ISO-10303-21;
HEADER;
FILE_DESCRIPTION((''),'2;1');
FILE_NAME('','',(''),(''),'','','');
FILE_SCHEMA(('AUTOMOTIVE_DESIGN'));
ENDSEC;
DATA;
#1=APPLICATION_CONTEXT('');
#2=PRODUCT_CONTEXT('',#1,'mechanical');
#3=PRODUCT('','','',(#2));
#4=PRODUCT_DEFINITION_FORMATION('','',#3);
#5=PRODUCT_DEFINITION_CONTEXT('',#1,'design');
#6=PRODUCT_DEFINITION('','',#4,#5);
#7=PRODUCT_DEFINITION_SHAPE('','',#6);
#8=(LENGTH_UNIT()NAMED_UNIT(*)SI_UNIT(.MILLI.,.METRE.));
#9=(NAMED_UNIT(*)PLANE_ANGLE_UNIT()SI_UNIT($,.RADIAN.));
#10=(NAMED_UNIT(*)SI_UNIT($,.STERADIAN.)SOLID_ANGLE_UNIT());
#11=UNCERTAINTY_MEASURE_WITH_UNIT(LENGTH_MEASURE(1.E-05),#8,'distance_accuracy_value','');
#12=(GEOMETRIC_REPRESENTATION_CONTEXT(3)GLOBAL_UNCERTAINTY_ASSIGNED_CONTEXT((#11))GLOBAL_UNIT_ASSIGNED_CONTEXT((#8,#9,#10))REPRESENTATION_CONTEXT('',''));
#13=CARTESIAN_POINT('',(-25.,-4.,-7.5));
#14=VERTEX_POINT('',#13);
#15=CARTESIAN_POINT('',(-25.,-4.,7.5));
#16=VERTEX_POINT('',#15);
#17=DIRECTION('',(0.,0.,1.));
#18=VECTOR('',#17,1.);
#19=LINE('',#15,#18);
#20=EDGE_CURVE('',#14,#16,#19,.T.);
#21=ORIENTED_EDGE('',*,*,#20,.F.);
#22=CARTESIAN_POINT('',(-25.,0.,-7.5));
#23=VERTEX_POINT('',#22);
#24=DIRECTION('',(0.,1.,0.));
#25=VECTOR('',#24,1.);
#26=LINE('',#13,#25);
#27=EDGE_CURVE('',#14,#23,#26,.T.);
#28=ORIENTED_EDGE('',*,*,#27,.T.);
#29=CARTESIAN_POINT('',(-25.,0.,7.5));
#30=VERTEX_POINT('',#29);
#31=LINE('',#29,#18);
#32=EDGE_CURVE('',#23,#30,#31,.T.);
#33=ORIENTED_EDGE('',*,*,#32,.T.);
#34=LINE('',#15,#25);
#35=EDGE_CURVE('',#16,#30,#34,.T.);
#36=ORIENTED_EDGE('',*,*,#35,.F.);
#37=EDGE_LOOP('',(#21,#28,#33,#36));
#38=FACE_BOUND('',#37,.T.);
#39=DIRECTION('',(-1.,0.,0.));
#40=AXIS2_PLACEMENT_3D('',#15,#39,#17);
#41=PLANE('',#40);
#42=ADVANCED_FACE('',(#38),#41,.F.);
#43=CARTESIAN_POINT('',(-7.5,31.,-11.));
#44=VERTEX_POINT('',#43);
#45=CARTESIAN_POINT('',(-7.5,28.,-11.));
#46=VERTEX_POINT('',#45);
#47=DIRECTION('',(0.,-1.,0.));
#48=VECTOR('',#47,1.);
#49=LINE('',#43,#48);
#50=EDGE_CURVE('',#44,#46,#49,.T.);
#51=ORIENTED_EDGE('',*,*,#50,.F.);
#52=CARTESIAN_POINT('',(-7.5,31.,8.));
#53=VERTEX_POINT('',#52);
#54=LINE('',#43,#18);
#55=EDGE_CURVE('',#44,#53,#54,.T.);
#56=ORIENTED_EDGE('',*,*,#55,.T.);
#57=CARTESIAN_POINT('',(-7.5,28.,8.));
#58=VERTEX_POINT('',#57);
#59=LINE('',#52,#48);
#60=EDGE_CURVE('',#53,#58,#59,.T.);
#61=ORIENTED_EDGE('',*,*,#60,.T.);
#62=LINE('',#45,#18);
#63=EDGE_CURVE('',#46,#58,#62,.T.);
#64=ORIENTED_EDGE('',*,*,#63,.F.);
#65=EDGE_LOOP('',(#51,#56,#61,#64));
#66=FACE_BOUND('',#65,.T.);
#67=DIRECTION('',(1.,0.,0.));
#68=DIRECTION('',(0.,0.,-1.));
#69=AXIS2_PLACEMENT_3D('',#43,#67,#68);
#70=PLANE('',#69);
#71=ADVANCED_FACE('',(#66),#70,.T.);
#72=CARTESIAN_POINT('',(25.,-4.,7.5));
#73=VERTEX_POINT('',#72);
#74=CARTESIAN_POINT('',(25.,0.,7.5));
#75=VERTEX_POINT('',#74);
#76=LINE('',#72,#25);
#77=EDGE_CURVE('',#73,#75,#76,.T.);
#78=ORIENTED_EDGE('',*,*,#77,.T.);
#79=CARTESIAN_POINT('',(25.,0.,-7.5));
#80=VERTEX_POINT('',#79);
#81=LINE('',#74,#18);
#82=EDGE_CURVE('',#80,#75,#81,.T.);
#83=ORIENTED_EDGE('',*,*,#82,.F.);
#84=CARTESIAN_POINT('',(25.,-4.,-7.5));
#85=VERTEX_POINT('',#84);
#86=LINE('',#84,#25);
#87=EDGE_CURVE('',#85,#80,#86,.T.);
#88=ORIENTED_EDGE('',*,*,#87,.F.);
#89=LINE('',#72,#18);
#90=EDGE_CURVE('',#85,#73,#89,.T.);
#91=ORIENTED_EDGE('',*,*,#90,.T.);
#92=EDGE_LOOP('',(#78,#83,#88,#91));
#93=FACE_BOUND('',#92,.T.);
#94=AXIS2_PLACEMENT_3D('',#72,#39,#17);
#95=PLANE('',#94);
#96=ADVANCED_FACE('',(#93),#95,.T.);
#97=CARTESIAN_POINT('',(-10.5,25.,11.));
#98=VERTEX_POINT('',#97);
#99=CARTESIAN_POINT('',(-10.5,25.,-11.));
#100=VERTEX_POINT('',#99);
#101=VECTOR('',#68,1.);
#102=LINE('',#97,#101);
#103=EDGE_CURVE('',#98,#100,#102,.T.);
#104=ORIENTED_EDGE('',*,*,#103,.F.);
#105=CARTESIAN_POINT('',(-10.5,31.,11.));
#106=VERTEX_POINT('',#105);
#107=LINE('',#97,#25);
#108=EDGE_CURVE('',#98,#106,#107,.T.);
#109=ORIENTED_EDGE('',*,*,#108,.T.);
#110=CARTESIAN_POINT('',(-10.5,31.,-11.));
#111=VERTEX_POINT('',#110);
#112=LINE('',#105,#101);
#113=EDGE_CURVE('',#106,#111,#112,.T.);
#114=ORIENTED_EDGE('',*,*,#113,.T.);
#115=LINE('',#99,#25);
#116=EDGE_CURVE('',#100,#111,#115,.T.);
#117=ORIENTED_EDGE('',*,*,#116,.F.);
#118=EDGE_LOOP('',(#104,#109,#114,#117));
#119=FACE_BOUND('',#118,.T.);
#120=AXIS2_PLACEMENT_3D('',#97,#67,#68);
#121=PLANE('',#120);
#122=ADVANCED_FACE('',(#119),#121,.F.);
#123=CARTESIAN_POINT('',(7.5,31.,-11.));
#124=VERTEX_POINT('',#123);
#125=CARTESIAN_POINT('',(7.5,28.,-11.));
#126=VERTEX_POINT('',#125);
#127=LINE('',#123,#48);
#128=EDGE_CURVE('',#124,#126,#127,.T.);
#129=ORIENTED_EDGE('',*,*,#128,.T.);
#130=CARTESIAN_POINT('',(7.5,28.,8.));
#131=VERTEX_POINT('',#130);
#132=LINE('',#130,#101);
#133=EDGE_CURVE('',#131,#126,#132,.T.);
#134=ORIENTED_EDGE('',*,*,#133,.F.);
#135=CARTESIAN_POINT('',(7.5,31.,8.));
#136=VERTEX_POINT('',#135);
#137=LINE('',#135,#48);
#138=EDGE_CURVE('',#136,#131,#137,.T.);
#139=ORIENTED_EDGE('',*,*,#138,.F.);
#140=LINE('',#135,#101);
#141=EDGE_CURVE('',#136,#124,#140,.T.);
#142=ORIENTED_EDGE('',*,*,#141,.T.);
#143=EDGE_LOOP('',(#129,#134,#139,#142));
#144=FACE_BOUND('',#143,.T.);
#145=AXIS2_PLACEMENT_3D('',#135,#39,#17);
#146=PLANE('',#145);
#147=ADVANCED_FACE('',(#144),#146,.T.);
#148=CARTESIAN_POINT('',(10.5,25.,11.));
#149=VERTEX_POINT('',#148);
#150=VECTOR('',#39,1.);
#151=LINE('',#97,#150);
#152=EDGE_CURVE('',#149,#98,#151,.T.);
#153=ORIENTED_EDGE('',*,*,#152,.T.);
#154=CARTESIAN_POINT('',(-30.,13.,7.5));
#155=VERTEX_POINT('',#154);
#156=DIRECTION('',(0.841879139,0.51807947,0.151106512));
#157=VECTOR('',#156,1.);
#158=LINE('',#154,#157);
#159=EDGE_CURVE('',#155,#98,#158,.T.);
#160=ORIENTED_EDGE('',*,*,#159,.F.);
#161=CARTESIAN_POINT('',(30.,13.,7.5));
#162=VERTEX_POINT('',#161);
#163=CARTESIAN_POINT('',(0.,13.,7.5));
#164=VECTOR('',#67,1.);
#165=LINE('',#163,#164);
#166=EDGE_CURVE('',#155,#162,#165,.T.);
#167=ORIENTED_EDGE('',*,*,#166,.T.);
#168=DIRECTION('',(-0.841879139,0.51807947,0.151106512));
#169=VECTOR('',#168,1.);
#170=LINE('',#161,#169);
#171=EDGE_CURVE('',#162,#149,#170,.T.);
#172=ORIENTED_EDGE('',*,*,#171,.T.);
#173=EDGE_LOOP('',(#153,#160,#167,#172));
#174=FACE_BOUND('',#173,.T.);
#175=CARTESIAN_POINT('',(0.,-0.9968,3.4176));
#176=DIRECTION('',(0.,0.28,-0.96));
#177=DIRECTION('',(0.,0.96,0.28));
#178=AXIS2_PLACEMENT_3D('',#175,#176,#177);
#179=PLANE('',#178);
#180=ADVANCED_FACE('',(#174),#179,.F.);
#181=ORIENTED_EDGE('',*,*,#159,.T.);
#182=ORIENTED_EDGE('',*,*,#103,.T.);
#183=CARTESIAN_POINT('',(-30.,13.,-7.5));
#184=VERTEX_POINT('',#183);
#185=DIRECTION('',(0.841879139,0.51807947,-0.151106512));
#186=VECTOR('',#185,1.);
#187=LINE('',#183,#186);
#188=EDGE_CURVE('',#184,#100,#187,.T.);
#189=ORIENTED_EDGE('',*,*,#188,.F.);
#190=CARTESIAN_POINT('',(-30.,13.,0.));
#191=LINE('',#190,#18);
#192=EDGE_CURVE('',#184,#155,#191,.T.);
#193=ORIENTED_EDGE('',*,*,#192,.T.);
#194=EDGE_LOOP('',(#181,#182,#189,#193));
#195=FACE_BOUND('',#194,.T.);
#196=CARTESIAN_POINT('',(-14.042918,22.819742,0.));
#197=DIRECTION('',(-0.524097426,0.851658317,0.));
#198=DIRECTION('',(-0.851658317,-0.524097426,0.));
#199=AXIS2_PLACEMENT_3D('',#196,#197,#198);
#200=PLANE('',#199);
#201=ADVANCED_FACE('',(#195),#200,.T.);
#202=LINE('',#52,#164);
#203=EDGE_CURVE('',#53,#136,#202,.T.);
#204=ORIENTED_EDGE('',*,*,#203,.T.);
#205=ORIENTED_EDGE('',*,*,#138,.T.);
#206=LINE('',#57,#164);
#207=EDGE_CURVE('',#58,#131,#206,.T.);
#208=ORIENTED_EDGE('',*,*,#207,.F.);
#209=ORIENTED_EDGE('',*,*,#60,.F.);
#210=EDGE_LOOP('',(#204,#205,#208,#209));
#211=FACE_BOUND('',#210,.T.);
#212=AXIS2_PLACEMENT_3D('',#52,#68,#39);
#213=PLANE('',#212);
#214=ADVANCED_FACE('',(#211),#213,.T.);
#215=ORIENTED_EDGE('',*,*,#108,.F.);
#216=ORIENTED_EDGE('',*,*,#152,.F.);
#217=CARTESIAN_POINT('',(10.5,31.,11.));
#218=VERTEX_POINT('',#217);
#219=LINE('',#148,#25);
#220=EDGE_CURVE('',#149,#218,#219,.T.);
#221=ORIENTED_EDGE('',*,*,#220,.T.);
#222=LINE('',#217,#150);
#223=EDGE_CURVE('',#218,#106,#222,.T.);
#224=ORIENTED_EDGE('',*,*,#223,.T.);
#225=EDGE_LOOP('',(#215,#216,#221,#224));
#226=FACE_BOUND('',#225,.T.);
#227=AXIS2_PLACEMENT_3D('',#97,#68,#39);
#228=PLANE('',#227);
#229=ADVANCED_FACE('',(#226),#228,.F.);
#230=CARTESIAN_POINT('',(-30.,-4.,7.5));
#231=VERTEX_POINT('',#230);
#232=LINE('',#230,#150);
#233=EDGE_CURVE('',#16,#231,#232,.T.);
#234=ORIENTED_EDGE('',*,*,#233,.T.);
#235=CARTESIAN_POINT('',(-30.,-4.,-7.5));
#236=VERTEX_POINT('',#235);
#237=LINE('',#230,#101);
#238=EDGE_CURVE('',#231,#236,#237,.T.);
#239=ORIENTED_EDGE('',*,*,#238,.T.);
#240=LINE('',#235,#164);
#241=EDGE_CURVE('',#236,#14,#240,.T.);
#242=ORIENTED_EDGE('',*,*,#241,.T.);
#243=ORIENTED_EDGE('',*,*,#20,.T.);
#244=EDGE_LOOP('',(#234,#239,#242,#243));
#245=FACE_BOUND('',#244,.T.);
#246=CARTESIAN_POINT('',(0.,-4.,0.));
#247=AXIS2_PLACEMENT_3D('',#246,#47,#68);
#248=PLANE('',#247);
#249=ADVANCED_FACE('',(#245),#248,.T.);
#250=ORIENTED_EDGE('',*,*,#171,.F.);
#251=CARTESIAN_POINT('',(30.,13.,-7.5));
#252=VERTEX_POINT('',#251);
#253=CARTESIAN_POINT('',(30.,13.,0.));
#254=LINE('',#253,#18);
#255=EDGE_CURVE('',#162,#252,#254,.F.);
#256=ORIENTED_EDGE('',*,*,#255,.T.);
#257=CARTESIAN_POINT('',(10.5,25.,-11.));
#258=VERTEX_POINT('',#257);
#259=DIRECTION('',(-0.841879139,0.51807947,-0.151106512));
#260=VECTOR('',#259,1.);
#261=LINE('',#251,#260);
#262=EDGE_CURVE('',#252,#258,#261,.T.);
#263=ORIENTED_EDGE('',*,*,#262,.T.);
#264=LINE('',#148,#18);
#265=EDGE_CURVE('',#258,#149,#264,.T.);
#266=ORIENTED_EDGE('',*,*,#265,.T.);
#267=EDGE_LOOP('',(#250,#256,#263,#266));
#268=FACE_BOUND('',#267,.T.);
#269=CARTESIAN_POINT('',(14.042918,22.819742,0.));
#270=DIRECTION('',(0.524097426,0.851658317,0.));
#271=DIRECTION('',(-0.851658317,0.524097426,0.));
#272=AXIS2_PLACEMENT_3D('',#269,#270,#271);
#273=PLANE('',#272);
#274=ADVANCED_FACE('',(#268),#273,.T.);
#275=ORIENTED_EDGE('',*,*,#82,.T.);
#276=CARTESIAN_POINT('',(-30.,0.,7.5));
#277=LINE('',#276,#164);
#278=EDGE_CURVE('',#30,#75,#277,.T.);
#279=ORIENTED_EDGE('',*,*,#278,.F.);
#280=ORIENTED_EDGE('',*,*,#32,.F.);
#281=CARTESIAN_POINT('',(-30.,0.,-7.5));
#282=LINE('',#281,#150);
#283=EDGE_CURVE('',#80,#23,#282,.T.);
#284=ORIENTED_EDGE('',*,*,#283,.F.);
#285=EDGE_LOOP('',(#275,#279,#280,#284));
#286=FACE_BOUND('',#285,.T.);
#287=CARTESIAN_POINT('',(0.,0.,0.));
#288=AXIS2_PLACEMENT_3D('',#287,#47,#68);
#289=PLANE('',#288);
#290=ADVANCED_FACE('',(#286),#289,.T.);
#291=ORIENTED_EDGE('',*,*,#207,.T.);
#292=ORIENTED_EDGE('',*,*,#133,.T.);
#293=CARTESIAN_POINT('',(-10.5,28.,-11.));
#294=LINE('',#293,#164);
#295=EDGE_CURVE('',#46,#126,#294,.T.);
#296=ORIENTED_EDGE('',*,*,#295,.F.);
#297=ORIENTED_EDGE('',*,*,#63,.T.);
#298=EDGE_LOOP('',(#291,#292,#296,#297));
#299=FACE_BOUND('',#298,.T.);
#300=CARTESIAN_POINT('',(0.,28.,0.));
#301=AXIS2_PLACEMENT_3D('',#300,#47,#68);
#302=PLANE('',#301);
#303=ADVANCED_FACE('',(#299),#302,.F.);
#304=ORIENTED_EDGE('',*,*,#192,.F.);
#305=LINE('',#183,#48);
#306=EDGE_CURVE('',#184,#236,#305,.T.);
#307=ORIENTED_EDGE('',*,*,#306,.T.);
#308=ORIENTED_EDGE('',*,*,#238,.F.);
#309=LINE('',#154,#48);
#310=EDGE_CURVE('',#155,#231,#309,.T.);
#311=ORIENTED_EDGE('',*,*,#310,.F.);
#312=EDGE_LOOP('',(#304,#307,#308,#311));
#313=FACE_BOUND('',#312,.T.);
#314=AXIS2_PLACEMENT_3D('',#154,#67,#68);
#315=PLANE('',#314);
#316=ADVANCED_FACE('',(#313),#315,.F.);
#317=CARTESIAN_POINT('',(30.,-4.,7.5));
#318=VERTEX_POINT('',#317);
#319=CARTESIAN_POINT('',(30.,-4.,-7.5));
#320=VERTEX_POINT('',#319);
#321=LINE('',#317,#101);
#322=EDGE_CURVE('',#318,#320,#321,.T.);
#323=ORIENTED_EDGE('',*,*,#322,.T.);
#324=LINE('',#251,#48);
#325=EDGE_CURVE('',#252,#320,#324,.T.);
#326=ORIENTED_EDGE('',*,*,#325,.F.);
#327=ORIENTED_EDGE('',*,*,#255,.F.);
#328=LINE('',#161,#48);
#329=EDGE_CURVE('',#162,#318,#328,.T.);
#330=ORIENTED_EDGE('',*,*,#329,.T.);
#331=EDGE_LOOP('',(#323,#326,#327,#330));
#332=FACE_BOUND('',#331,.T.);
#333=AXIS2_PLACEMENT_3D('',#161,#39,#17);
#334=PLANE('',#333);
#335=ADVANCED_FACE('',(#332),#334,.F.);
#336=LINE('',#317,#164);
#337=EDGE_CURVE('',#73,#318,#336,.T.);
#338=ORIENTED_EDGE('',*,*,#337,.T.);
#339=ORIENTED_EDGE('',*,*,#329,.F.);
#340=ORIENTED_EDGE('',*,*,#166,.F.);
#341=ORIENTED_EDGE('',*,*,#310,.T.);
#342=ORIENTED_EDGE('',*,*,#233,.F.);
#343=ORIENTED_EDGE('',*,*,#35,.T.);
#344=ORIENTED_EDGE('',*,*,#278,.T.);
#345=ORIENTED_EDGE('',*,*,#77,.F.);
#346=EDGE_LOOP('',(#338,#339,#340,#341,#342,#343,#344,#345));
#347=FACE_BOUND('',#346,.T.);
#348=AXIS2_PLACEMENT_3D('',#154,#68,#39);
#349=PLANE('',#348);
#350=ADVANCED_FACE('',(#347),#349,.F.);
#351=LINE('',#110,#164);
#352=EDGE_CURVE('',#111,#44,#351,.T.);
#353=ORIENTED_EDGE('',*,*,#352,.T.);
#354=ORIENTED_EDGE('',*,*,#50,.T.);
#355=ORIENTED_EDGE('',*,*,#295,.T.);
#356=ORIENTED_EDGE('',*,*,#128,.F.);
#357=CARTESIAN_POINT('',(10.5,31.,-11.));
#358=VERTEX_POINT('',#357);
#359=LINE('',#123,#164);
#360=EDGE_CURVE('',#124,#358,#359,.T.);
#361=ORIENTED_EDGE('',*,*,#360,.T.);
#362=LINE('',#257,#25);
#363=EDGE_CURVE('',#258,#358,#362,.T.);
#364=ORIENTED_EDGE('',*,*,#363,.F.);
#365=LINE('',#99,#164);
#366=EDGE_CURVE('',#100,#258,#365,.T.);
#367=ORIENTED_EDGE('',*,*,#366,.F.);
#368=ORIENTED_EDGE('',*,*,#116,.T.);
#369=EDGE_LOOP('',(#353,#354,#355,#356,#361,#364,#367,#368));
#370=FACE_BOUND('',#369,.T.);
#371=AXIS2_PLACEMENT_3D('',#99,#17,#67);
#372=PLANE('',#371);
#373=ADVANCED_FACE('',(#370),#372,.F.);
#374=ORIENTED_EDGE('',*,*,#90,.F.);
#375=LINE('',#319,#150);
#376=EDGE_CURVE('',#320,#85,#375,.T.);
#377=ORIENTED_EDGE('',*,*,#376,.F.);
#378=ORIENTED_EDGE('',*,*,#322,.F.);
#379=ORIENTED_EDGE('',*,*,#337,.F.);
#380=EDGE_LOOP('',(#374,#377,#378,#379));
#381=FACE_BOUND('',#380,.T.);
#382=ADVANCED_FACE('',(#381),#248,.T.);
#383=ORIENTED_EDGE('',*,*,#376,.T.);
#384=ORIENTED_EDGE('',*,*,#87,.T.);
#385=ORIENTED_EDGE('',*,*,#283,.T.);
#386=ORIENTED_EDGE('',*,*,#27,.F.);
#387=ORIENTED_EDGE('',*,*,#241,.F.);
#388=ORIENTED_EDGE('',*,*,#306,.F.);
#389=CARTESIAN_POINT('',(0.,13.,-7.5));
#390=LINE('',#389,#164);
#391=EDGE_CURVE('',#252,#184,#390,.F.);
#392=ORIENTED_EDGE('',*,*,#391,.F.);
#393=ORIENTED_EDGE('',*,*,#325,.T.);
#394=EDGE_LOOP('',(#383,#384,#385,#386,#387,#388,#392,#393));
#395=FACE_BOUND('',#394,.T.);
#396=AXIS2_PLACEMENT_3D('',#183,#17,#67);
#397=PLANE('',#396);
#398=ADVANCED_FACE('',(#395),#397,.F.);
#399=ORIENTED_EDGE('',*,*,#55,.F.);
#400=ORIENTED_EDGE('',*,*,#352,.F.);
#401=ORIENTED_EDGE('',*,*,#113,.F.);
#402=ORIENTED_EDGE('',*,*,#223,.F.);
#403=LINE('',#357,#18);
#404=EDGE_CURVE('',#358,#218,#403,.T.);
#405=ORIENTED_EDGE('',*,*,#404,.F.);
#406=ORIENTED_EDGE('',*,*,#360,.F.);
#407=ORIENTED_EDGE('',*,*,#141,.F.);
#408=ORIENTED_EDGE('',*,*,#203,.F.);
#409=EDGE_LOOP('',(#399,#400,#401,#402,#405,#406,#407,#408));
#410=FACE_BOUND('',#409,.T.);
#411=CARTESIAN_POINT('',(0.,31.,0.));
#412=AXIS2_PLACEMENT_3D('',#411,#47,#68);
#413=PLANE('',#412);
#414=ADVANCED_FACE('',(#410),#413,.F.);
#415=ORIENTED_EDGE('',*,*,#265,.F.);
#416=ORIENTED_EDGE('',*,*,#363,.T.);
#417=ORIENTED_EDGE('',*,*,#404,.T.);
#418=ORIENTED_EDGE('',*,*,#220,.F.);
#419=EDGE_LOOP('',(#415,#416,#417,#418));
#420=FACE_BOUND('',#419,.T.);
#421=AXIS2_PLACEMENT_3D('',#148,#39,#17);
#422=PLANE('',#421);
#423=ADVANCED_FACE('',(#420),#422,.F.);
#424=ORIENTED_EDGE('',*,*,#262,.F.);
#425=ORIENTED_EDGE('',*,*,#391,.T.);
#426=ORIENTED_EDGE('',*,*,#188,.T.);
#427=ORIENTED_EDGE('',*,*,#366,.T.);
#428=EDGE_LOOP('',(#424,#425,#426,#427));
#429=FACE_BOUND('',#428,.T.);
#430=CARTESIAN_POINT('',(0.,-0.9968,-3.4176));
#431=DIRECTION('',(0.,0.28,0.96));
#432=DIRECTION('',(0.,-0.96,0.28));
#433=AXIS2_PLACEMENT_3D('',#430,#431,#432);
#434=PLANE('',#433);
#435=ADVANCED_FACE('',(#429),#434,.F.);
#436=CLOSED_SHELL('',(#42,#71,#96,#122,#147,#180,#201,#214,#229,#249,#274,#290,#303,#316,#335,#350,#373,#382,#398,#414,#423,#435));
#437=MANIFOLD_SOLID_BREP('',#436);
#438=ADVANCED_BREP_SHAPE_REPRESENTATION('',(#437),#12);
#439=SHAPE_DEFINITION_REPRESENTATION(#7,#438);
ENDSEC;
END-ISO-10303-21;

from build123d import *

# Parameters (mm, degrees)
SKETCH1_W           = 60
SKETCH1_H           = 15
BOSS_EXTRUDE1_DEPTH = 13
SKETCH4_W           = 5
SKETCH4_H           = 15
BOSS_EXTRUDE2_DEPTH = 4
SKETCH5_W           = 21
SKETCH5_H           = 22
BOSS_EXTRUDE3_DEPTH = 3
BOSS_EXTRUDE4_DEPTH = 3


with BuildPart() as part:
    # Sketch1 → Boss-Extrude1 (new body)
    with BuildSketch(Plane(origin=(0, 0, 0), x_dir=(1, 0, 0), z_dir=(0, 1, 0))):
        Rectangle(SKETCH1_W, SKETCH1_H)
    extrude(amount=BOSS_EXTRUDE1_DEPTH)

    # Sketch4 → Boss-Extrude2 (add)
    with BuildSketch(Plane(origin=(0, 0, 0), x_dir=(-1, 0, 0), z_dir=(0, -1, 0))):
        with Locations((27.5, 0)):
            Rectangle(SKETCH4_W, SKETCH4_H)
    boss_extrude2 = extrude(amount=BOSS_EXTRUDE2_DEPTH)

    # Mirror1: Boss-Extrude2 across plane
    add(boss_extrude2.mirror(Plane(origin=(0, 0, 0), x_dir=(0, 0, 1), z_dir=(1, 0, 0))))



with BuildPart() as body_2:
    # Sketch5 → Boss-Extrude3 (new body)
    with BuildSketch(Plane(origin=(0, 28, 0), x_dir=(-1, 0, 0), z_dir=(0, -1, 0))):
        Rectangle(SKETCH5_W, SKETCH5_H)
    extrude(amount=BOSS_EXTRUDE3_DEPTH)


with BuildPart() as part_1:
    add(part.part)

    add(body_2.part)  # loft1 joins it to this body
    # loft from a face of the part (loft1)
    loft([part_1.faces().sort_by_distance((0, 13, 0))[0], part_1.faces().sort_by_distance((0, 25, 0))[0]])

    # Sketch7 → Boss-Extrude4 (add)
    with BuildSketch(Plane(origin=(0, 28, 0), x_dir=(-1, 0, 0), z_dir=(0, -1, 0))):
        Polygon((10.5, 11), (7.5, 11), (7.5, -8), (-7.5, -8), (-7.5, 11), (-10.5, 11), (-10.5, -11), (10.5, -11), align=None)
    extrude(amount=-BOSS_EXTRUDE4_DEPTH)


solid = part_1.part
